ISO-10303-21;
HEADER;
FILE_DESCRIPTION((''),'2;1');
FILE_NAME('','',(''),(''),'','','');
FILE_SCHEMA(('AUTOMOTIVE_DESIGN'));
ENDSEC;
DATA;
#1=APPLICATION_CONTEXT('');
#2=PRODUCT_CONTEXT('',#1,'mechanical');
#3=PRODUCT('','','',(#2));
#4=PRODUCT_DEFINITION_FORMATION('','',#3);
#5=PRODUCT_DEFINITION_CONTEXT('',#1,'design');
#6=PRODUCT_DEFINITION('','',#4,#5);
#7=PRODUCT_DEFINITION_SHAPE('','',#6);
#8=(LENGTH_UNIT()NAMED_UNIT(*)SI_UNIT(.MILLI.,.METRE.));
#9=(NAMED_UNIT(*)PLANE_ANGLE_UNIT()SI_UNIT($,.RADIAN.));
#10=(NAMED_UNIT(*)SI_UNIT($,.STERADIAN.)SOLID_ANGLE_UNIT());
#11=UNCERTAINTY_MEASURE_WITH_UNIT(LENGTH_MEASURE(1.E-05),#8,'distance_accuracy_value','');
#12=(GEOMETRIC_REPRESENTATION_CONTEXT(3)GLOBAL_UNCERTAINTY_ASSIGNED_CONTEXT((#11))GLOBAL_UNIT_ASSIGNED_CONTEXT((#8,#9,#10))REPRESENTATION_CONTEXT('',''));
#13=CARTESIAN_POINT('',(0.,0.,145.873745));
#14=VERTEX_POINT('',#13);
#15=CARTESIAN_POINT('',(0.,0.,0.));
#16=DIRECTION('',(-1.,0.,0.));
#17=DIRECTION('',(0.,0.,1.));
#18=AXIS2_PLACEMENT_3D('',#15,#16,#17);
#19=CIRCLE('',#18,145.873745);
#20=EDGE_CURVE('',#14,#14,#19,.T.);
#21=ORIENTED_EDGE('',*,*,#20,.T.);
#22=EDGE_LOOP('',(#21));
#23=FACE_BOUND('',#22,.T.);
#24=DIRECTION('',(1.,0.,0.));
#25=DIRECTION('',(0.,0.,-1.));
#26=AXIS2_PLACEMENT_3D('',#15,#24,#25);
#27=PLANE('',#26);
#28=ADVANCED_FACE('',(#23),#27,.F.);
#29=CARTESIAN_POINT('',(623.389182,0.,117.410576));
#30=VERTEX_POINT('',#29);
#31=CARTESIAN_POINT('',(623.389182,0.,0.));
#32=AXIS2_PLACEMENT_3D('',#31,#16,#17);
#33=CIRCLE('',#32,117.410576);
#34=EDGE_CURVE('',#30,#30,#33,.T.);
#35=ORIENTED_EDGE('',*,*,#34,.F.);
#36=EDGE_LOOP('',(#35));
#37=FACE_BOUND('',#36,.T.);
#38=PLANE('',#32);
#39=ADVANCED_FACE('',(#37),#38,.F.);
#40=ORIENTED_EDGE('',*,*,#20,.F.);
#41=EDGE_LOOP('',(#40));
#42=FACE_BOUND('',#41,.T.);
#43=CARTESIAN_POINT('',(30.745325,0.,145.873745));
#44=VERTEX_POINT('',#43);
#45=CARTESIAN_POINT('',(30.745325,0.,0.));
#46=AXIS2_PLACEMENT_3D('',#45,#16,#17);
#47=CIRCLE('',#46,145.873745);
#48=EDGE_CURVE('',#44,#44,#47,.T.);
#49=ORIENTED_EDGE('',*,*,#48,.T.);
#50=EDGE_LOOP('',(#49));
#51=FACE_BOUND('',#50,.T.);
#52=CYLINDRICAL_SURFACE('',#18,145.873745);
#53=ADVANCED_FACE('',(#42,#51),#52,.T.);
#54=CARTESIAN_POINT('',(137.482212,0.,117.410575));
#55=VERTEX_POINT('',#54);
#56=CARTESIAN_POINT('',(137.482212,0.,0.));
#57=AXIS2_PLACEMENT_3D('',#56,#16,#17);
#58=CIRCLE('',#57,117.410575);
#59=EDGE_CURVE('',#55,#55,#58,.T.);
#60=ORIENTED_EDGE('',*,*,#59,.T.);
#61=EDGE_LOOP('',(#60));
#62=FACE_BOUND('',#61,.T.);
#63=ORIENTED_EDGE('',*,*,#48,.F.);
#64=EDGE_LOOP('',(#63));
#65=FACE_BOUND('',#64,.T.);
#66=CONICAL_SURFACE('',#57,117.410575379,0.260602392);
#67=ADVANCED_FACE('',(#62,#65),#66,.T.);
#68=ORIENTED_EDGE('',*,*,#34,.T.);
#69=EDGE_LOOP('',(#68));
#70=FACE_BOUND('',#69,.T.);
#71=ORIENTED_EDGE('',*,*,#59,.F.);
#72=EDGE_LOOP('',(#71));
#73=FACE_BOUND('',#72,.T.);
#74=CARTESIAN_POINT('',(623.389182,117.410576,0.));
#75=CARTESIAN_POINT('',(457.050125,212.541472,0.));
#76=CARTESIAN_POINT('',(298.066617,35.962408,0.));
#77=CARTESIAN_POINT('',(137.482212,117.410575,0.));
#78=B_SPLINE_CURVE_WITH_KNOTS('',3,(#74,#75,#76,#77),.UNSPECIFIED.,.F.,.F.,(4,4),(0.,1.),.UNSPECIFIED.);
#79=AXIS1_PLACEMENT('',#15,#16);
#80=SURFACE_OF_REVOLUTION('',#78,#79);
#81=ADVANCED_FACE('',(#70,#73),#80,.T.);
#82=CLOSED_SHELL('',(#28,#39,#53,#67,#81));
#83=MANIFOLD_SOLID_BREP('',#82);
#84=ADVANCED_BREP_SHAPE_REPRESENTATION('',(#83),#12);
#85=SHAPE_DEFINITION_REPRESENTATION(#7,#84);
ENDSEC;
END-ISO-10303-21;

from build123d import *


with BuildPart() as part:
    # 草圖1 → 旋轉1 (revolve)
    with BuildSketch(Plane.XY, mode=Mode.PRIVATE) as revolve_1_sk:
        with BuildLine():
            Line((0, 0), (0, 145.873745228))
            Line((0, 145.873745228), (30.745324906, 145.873745228))
            Line((30.745324906, 145.873745228), (137.48221184, 117.410575379))
            add(Edge.make_bspline(
                [(137.48221184, 117.410575379), (298.066617212, 35.962407985), (457.050125006, 212.541472347), (623.389181847, 117.410575691)],
                knots=[0, 0, 0, 0, 1, 1, 1, 1], degree=3))
            Line((623.389181847, 117.410575691), (623.389181847, 0))
            Line((623.389181847, 0), (0, 0))
        make_face()
    revolve(revolve_1_sk.sketch.rotate(Axis((0, 0, 0), (1, 0, 0)), 90), axis=Axis((0, 0, 0), (1, 0, 0)))


solid = part.part
